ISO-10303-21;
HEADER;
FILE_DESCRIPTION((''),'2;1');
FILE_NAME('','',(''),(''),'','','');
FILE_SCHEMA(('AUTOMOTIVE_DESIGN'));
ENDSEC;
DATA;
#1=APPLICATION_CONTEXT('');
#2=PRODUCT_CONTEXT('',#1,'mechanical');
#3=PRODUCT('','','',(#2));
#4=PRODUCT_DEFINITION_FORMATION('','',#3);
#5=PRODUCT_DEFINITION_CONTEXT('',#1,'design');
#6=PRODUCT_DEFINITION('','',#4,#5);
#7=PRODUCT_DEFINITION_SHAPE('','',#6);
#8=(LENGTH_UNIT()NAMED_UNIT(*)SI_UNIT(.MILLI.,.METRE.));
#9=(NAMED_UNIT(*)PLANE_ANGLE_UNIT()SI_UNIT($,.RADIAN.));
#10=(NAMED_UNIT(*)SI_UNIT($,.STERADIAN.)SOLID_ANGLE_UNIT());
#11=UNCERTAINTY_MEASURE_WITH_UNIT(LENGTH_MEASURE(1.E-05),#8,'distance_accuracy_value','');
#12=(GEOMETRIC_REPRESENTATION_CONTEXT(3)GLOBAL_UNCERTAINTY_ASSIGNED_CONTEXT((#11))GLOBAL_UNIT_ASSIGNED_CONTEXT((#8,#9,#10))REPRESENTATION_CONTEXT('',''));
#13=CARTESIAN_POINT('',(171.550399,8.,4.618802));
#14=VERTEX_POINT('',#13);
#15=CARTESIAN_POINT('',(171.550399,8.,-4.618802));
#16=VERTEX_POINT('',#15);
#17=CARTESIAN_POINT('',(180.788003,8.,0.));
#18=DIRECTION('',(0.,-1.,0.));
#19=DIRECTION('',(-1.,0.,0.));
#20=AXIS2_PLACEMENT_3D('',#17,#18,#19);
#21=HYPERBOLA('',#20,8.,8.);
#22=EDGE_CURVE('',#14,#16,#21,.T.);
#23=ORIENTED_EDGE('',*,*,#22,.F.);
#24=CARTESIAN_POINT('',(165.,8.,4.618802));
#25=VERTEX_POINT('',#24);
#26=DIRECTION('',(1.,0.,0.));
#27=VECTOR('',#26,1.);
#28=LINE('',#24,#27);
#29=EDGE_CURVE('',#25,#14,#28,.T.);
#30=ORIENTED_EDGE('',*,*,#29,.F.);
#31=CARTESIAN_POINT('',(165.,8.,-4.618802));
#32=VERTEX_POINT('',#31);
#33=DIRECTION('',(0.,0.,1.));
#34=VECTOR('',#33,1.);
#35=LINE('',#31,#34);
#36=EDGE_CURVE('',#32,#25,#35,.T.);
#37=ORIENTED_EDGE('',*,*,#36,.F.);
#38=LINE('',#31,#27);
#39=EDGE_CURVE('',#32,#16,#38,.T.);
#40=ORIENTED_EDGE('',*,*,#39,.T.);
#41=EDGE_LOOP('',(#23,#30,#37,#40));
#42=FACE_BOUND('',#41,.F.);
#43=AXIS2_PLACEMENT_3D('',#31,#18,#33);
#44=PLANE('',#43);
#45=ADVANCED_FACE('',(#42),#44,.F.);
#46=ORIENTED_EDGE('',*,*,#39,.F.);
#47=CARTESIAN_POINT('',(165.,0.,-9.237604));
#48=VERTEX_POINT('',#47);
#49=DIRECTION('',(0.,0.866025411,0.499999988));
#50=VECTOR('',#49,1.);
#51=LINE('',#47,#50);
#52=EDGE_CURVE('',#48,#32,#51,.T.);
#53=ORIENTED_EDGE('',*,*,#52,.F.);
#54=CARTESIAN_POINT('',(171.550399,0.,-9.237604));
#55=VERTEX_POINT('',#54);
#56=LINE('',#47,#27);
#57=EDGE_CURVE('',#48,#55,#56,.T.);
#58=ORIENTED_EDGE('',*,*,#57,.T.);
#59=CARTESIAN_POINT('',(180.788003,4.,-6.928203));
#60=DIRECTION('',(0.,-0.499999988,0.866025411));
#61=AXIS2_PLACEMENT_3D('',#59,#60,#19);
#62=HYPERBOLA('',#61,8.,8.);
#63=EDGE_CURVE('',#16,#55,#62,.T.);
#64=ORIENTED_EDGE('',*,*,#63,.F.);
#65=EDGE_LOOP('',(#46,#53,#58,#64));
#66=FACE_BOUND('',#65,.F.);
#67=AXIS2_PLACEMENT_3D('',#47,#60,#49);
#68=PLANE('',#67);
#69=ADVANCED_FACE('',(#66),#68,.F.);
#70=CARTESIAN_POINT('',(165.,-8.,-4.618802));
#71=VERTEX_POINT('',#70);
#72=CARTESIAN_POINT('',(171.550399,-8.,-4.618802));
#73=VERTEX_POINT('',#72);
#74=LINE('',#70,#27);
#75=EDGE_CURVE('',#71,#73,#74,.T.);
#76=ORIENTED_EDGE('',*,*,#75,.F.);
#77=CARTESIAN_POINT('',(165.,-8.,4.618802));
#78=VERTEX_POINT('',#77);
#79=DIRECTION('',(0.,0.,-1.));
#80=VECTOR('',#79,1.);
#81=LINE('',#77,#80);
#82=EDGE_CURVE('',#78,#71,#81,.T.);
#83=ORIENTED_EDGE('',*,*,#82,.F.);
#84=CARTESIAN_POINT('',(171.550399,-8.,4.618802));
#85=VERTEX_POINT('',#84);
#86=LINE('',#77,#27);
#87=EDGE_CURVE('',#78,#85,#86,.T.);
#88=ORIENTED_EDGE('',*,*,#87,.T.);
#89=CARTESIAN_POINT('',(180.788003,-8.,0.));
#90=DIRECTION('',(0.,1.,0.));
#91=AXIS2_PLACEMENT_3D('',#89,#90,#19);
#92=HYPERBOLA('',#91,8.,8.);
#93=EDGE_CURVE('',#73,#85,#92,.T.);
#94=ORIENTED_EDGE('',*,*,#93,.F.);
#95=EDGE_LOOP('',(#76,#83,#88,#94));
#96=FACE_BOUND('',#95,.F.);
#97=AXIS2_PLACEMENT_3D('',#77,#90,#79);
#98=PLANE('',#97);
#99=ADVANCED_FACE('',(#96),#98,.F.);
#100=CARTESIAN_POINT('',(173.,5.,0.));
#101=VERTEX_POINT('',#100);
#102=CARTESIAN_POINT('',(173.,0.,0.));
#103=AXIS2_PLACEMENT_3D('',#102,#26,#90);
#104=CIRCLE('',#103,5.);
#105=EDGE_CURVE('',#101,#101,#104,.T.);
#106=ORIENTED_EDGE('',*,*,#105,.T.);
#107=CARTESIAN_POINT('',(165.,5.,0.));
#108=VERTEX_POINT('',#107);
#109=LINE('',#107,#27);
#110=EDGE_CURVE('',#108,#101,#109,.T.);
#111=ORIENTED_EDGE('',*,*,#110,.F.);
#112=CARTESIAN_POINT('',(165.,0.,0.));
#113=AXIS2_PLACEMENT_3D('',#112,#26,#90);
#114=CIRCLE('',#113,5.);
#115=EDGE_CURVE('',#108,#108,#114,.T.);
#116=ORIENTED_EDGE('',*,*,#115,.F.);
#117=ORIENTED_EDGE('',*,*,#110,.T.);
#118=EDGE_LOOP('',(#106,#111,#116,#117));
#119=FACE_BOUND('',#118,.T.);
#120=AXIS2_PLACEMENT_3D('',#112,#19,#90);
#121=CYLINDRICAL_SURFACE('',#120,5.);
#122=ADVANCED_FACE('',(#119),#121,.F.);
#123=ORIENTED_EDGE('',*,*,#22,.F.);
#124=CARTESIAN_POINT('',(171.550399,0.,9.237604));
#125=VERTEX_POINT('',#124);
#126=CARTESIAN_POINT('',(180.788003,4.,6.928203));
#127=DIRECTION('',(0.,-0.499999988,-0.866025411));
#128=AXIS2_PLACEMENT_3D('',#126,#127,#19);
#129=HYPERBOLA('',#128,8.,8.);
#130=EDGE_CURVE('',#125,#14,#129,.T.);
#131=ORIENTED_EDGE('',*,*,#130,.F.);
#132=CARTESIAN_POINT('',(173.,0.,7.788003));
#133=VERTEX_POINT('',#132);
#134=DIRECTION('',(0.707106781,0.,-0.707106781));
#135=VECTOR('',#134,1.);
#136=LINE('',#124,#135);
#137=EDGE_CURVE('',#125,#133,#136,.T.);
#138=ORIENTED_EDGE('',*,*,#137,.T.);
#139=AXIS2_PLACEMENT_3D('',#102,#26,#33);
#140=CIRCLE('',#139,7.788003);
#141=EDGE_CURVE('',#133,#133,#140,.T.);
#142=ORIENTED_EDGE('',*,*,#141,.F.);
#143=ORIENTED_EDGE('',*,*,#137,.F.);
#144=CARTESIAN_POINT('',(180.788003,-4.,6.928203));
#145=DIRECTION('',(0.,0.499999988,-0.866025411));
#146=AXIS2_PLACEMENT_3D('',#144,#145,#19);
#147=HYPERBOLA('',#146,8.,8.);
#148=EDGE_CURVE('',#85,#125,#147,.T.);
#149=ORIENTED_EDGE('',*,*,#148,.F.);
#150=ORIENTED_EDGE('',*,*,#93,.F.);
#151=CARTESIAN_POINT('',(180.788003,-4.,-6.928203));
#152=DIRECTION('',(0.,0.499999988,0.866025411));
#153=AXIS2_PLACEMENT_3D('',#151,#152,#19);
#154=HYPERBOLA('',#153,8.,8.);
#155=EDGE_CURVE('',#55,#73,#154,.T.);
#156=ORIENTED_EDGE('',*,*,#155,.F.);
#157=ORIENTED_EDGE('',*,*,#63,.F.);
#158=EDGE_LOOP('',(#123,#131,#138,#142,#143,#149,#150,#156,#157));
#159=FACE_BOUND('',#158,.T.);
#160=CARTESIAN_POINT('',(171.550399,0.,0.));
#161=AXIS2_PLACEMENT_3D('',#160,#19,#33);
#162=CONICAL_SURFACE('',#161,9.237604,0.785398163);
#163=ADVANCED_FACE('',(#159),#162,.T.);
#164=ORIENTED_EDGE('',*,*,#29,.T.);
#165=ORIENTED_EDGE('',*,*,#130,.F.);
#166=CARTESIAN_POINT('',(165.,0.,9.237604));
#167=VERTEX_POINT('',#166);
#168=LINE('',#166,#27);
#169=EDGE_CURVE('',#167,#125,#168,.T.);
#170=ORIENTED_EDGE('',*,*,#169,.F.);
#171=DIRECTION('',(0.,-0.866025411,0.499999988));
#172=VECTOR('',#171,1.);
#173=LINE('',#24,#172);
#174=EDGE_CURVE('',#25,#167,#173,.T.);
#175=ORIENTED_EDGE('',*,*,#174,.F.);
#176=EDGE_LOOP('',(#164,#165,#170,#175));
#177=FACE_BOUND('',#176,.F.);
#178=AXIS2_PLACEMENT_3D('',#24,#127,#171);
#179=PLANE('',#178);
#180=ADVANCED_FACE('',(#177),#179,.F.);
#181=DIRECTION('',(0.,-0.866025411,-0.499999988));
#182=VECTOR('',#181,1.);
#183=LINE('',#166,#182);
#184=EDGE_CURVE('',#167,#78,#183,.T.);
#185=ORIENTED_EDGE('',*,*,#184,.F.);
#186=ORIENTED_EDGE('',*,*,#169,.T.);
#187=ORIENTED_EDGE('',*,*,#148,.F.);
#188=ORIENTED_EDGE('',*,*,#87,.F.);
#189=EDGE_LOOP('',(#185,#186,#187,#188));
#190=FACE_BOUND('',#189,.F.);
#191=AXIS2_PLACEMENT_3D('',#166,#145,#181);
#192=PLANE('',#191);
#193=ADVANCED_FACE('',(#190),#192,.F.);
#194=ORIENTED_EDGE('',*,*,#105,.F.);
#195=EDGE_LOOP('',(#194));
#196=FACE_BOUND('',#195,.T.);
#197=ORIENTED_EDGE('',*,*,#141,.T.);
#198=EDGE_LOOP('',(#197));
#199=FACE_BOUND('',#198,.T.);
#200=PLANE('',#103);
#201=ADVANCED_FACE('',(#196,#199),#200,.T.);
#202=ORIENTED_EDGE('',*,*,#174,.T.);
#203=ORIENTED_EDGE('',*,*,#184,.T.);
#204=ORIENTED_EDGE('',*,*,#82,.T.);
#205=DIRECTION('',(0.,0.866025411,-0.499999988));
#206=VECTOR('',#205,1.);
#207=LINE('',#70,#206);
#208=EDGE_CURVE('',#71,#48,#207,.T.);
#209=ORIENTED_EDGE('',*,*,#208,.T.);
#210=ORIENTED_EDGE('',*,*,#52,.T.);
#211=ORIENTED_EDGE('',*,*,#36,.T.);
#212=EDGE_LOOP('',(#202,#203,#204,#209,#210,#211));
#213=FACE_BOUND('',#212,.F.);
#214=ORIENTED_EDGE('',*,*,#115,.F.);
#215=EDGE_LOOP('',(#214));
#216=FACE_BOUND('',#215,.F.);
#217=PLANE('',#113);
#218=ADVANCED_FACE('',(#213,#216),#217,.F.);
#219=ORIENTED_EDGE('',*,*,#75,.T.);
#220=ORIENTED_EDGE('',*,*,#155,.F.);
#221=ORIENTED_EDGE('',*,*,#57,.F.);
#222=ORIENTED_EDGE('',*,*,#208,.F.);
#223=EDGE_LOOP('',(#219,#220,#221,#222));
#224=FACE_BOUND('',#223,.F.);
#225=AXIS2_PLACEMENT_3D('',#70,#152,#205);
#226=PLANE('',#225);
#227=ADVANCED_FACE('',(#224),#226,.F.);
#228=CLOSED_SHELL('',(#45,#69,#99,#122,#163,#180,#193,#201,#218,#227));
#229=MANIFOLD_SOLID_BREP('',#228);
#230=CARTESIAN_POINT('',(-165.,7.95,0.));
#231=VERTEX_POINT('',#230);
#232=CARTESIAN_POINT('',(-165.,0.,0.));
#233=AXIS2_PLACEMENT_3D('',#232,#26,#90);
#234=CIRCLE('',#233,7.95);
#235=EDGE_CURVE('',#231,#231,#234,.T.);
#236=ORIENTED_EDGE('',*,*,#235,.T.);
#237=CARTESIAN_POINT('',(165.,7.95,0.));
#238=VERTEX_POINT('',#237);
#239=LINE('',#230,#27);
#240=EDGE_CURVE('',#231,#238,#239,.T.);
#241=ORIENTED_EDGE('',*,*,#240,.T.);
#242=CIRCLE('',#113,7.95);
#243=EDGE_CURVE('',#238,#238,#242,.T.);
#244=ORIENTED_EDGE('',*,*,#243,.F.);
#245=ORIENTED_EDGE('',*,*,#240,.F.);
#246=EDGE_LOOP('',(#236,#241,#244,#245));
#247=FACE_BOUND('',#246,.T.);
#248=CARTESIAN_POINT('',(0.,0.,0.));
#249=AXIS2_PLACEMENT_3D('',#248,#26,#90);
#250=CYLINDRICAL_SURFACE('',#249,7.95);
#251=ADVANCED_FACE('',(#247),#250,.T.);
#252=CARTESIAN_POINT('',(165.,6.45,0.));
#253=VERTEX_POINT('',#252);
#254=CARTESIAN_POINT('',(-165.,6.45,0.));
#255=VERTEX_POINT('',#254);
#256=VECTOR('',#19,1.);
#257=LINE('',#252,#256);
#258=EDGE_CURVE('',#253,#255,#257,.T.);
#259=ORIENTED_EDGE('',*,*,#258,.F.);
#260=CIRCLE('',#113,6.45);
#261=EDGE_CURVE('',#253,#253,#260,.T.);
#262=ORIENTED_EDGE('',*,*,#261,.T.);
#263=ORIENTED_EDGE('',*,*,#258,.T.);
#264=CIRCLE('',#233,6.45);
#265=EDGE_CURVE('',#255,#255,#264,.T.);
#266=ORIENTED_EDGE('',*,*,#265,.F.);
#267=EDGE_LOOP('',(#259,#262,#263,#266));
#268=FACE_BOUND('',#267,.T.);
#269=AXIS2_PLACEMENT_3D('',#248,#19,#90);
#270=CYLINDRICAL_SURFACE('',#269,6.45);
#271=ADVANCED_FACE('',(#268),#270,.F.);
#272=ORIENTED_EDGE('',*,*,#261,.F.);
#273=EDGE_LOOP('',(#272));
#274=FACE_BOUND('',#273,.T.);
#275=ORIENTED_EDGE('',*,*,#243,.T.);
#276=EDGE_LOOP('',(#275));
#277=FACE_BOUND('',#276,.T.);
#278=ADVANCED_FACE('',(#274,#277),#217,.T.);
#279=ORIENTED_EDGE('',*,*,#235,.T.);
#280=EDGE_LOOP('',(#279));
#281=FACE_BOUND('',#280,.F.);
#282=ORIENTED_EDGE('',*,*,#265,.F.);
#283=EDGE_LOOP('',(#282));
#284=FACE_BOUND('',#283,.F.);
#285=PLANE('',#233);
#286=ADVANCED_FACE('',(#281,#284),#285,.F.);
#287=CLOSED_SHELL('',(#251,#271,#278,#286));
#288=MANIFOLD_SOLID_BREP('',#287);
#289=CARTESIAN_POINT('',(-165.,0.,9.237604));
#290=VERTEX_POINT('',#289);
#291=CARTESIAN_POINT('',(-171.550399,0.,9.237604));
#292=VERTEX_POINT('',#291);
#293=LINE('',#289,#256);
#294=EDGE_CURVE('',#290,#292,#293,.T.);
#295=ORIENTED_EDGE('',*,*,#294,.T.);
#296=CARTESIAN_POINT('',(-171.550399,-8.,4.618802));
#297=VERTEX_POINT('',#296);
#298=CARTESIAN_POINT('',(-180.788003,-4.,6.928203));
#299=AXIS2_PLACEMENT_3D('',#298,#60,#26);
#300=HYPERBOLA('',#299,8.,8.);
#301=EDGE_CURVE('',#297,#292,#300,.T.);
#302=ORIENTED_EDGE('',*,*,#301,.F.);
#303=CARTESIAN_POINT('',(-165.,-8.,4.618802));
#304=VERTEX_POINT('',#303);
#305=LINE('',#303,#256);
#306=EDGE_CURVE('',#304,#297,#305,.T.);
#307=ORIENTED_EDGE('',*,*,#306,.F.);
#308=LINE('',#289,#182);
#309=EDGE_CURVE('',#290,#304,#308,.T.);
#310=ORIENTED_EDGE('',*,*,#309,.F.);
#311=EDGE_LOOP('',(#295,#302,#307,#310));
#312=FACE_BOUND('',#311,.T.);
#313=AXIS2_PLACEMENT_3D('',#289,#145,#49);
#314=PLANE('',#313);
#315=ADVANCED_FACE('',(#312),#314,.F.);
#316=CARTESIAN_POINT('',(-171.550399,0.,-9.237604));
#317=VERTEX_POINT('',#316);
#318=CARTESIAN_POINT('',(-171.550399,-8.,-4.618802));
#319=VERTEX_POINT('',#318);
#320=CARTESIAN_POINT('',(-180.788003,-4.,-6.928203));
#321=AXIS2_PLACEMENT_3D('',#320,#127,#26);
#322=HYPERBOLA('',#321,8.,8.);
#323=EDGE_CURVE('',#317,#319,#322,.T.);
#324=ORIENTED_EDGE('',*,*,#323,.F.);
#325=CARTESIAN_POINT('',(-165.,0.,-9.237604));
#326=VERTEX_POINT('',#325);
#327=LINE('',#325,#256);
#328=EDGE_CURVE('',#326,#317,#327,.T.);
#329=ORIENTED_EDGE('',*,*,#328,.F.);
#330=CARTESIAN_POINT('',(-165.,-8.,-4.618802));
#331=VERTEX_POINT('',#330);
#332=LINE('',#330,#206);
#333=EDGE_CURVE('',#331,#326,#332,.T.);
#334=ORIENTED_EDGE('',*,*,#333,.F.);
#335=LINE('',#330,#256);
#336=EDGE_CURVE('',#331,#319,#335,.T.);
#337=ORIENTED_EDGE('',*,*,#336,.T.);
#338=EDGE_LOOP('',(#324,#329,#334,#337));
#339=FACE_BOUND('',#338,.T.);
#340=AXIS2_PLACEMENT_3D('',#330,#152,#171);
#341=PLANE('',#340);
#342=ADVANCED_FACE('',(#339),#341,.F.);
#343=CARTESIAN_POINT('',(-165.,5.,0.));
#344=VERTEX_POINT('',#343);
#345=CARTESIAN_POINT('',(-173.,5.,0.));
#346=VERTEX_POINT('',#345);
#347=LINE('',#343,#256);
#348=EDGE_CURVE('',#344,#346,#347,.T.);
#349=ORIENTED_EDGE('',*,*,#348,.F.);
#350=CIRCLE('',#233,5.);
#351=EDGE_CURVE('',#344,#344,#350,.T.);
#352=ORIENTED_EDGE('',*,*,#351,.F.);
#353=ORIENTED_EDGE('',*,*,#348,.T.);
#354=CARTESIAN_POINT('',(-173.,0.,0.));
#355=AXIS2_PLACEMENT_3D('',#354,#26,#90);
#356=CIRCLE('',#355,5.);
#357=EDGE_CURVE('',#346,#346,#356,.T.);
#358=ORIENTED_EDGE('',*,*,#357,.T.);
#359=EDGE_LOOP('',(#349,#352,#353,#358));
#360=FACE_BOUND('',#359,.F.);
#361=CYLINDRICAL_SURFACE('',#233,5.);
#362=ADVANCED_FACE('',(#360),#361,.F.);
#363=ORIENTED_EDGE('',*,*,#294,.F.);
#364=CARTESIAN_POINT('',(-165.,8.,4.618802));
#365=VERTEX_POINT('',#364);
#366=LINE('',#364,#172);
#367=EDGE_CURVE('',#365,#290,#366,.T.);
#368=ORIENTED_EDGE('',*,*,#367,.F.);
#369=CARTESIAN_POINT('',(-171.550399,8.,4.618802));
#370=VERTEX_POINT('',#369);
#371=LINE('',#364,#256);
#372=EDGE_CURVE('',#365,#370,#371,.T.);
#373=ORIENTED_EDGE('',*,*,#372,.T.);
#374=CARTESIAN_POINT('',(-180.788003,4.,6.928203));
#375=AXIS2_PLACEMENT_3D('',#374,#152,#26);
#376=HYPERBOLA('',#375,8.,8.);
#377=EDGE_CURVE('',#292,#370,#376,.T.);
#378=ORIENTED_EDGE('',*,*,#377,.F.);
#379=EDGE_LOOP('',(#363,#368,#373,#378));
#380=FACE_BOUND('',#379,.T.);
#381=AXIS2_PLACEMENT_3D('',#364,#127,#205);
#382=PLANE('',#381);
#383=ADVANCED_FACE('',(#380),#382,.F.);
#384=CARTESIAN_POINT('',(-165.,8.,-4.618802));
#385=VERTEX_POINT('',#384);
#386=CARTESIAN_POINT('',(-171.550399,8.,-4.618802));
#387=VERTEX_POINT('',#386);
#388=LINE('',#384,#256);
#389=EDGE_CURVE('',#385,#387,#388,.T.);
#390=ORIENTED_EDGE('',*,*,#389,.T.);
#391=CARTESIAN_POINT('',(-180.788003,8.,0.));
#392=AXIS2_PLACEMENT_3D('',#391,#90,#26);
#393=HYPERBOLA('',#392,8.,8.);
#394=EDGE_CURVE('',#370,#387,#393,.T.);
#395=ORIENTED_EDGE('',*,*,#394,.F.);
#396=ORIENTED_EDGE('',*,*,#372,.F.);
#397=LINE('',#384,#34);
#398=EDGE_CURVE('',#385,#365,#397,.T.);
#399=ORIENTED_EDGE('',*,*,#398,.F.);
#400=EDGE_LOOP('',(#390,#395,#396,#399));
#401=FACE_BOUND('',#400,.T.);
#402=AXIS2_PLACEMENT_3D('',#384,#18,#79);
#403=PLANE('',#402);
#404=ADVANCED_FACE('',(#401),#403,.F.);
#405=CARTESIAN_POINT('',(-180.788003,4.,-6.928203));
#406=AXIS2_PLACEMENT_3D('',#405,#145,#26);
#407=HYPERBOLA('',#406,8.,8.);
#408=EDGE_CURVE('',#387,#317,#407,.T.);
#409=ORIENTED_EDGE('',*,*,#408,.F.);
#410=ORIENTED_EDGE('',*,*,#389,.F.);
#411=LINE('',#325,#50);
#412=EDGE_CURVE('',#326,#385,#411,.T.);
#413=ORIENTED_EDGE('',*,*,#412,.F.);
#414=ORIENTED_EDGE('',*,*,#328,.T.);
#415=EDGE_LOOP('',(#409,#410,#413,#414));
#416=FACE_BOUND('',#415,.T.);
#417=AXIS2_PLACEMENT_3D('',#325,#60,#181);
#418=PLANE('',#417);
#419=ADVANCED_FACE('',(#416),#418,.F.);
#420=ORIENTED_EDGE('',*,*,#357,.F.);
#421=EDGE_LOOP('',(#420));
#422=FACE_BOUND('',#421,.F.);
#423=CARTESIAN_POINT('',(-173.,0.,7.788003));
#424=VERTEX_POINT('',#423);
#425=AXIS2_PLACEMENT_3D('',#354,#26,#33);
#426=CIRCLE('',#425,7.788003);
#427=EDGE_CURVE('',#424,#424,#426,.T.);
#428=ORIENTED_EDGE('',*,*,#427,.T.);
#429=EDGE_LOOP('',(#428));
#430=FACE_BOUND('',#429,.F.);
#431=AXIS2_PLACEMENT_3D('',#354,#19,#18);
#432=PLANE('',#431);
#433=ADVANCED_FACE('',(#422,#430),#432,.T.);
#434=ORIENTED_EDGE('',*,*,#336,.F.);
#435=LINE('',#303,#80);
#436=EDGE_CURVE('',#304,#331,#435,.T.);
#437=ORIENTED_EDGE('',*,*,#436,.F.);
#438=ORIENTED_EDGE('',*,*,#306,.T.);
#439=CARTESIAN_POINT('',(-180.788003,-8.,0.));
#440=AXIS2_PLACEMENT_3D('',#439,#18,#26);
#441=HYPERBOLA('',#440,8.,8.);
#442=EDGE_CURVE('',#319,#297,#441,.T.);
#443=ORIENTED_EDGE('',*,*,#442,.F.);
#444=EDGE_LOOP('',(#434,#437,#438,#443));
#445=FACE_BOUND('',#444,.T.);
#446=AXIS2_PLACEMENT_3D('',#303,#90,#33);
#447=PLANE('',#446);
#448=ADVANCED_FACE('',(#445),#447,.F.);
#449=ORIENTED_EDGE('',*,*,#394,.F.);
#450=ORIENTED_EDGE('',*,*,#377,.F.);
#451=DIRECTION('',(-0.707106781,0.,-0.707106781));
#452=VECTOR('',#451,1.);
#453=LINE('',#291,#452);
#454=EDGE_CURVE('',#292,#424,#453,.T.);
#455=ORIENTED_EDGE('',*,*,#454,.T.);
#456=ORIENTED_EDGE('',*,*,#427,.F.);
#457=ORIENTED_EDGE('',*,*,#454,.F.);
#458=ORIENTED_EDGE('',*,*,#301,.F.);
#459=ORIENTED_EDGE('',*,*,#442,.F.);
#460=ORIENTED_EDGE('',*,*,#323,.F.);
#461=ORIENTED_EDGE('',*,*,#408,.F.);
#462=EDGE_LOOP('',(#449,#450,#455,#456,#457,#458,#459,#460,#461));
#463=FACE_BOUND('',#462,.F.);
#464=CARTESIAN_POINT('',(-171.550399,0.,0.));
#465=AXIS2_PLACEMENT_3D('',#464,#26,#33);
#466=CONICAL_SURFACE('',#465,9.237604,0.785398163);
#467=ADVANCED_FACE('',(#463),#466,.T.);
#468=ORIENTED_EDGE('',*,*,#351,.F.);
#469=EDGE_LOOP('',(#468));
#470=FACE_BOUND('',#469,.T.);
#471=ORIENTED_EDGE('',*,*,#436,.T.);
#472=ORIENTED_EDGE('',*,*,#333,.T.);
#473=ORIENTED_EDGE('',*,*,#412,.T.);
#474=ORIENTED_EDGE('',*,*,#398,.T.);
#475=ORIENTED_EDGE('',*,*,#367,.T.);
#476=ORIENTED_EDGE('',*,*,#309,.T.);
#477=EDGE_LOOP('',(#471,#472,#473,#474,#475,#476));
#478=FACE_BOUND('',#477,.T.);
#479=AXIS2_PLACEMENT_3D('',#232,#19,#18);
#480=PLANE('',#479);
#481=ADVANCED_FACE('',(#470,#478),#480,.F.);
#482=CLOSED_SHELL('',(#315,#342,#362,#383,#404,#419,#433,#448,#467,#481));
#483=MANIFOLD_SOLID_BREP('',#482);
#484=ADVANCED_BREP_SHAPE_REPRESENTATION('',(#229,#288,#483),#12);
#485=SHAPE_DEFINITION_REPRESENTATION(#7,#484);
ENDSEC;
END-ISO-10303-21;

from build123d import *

# Parameters (mm, degrees)
F0_R     = 7.95
F0_R_2   = 6.45
F1_DEPTH = 165
F2_R     = 5
F3_DEPTH = 8


with BuildPart() as f1:
    # F0 (on Right) → F1 (new body, symmetric)
    with BuildSketch(Plane.YZ):
        Circle(F0_R)
        Circle(F0_R_2, mode=Mode.SUBTRACT)
    extrude(amount=F1_DEPTH, both=True)


with BuildPart() as f3:
    # F2 (on face) → F3 (new body)
    with BuildSketch(Plane.YZ.offset(165)):
        Polygon((8, -4.618802), (8, 4.618802), (0, 9.237604), (-8, 4.618802), (-8, -4.618802), (0, -9.237604), align=None)
        Circle(F2_R, mode=Mode.SUBTRACT)
    extrude(amount=F3_DEPTH)

    # F4 (on Front) → F5 (revolve, cut)
    with BuildSketch(Plane.XZ):
        Polygon((173, 7.788003), (173, 9.237604), (171.550399, 9.237604), align=None)
    revolve(axis=Axis((116.156034, 0, 0), (1, 0, 0)), mode=Mode.SUBTRACT)


with BuildPart() as f6_1:
    # F6: instance of F3
    add(f3.part.mirror(Plane.YZ))


solid = Compound([f1.part, f3.part, f6_1.part])
